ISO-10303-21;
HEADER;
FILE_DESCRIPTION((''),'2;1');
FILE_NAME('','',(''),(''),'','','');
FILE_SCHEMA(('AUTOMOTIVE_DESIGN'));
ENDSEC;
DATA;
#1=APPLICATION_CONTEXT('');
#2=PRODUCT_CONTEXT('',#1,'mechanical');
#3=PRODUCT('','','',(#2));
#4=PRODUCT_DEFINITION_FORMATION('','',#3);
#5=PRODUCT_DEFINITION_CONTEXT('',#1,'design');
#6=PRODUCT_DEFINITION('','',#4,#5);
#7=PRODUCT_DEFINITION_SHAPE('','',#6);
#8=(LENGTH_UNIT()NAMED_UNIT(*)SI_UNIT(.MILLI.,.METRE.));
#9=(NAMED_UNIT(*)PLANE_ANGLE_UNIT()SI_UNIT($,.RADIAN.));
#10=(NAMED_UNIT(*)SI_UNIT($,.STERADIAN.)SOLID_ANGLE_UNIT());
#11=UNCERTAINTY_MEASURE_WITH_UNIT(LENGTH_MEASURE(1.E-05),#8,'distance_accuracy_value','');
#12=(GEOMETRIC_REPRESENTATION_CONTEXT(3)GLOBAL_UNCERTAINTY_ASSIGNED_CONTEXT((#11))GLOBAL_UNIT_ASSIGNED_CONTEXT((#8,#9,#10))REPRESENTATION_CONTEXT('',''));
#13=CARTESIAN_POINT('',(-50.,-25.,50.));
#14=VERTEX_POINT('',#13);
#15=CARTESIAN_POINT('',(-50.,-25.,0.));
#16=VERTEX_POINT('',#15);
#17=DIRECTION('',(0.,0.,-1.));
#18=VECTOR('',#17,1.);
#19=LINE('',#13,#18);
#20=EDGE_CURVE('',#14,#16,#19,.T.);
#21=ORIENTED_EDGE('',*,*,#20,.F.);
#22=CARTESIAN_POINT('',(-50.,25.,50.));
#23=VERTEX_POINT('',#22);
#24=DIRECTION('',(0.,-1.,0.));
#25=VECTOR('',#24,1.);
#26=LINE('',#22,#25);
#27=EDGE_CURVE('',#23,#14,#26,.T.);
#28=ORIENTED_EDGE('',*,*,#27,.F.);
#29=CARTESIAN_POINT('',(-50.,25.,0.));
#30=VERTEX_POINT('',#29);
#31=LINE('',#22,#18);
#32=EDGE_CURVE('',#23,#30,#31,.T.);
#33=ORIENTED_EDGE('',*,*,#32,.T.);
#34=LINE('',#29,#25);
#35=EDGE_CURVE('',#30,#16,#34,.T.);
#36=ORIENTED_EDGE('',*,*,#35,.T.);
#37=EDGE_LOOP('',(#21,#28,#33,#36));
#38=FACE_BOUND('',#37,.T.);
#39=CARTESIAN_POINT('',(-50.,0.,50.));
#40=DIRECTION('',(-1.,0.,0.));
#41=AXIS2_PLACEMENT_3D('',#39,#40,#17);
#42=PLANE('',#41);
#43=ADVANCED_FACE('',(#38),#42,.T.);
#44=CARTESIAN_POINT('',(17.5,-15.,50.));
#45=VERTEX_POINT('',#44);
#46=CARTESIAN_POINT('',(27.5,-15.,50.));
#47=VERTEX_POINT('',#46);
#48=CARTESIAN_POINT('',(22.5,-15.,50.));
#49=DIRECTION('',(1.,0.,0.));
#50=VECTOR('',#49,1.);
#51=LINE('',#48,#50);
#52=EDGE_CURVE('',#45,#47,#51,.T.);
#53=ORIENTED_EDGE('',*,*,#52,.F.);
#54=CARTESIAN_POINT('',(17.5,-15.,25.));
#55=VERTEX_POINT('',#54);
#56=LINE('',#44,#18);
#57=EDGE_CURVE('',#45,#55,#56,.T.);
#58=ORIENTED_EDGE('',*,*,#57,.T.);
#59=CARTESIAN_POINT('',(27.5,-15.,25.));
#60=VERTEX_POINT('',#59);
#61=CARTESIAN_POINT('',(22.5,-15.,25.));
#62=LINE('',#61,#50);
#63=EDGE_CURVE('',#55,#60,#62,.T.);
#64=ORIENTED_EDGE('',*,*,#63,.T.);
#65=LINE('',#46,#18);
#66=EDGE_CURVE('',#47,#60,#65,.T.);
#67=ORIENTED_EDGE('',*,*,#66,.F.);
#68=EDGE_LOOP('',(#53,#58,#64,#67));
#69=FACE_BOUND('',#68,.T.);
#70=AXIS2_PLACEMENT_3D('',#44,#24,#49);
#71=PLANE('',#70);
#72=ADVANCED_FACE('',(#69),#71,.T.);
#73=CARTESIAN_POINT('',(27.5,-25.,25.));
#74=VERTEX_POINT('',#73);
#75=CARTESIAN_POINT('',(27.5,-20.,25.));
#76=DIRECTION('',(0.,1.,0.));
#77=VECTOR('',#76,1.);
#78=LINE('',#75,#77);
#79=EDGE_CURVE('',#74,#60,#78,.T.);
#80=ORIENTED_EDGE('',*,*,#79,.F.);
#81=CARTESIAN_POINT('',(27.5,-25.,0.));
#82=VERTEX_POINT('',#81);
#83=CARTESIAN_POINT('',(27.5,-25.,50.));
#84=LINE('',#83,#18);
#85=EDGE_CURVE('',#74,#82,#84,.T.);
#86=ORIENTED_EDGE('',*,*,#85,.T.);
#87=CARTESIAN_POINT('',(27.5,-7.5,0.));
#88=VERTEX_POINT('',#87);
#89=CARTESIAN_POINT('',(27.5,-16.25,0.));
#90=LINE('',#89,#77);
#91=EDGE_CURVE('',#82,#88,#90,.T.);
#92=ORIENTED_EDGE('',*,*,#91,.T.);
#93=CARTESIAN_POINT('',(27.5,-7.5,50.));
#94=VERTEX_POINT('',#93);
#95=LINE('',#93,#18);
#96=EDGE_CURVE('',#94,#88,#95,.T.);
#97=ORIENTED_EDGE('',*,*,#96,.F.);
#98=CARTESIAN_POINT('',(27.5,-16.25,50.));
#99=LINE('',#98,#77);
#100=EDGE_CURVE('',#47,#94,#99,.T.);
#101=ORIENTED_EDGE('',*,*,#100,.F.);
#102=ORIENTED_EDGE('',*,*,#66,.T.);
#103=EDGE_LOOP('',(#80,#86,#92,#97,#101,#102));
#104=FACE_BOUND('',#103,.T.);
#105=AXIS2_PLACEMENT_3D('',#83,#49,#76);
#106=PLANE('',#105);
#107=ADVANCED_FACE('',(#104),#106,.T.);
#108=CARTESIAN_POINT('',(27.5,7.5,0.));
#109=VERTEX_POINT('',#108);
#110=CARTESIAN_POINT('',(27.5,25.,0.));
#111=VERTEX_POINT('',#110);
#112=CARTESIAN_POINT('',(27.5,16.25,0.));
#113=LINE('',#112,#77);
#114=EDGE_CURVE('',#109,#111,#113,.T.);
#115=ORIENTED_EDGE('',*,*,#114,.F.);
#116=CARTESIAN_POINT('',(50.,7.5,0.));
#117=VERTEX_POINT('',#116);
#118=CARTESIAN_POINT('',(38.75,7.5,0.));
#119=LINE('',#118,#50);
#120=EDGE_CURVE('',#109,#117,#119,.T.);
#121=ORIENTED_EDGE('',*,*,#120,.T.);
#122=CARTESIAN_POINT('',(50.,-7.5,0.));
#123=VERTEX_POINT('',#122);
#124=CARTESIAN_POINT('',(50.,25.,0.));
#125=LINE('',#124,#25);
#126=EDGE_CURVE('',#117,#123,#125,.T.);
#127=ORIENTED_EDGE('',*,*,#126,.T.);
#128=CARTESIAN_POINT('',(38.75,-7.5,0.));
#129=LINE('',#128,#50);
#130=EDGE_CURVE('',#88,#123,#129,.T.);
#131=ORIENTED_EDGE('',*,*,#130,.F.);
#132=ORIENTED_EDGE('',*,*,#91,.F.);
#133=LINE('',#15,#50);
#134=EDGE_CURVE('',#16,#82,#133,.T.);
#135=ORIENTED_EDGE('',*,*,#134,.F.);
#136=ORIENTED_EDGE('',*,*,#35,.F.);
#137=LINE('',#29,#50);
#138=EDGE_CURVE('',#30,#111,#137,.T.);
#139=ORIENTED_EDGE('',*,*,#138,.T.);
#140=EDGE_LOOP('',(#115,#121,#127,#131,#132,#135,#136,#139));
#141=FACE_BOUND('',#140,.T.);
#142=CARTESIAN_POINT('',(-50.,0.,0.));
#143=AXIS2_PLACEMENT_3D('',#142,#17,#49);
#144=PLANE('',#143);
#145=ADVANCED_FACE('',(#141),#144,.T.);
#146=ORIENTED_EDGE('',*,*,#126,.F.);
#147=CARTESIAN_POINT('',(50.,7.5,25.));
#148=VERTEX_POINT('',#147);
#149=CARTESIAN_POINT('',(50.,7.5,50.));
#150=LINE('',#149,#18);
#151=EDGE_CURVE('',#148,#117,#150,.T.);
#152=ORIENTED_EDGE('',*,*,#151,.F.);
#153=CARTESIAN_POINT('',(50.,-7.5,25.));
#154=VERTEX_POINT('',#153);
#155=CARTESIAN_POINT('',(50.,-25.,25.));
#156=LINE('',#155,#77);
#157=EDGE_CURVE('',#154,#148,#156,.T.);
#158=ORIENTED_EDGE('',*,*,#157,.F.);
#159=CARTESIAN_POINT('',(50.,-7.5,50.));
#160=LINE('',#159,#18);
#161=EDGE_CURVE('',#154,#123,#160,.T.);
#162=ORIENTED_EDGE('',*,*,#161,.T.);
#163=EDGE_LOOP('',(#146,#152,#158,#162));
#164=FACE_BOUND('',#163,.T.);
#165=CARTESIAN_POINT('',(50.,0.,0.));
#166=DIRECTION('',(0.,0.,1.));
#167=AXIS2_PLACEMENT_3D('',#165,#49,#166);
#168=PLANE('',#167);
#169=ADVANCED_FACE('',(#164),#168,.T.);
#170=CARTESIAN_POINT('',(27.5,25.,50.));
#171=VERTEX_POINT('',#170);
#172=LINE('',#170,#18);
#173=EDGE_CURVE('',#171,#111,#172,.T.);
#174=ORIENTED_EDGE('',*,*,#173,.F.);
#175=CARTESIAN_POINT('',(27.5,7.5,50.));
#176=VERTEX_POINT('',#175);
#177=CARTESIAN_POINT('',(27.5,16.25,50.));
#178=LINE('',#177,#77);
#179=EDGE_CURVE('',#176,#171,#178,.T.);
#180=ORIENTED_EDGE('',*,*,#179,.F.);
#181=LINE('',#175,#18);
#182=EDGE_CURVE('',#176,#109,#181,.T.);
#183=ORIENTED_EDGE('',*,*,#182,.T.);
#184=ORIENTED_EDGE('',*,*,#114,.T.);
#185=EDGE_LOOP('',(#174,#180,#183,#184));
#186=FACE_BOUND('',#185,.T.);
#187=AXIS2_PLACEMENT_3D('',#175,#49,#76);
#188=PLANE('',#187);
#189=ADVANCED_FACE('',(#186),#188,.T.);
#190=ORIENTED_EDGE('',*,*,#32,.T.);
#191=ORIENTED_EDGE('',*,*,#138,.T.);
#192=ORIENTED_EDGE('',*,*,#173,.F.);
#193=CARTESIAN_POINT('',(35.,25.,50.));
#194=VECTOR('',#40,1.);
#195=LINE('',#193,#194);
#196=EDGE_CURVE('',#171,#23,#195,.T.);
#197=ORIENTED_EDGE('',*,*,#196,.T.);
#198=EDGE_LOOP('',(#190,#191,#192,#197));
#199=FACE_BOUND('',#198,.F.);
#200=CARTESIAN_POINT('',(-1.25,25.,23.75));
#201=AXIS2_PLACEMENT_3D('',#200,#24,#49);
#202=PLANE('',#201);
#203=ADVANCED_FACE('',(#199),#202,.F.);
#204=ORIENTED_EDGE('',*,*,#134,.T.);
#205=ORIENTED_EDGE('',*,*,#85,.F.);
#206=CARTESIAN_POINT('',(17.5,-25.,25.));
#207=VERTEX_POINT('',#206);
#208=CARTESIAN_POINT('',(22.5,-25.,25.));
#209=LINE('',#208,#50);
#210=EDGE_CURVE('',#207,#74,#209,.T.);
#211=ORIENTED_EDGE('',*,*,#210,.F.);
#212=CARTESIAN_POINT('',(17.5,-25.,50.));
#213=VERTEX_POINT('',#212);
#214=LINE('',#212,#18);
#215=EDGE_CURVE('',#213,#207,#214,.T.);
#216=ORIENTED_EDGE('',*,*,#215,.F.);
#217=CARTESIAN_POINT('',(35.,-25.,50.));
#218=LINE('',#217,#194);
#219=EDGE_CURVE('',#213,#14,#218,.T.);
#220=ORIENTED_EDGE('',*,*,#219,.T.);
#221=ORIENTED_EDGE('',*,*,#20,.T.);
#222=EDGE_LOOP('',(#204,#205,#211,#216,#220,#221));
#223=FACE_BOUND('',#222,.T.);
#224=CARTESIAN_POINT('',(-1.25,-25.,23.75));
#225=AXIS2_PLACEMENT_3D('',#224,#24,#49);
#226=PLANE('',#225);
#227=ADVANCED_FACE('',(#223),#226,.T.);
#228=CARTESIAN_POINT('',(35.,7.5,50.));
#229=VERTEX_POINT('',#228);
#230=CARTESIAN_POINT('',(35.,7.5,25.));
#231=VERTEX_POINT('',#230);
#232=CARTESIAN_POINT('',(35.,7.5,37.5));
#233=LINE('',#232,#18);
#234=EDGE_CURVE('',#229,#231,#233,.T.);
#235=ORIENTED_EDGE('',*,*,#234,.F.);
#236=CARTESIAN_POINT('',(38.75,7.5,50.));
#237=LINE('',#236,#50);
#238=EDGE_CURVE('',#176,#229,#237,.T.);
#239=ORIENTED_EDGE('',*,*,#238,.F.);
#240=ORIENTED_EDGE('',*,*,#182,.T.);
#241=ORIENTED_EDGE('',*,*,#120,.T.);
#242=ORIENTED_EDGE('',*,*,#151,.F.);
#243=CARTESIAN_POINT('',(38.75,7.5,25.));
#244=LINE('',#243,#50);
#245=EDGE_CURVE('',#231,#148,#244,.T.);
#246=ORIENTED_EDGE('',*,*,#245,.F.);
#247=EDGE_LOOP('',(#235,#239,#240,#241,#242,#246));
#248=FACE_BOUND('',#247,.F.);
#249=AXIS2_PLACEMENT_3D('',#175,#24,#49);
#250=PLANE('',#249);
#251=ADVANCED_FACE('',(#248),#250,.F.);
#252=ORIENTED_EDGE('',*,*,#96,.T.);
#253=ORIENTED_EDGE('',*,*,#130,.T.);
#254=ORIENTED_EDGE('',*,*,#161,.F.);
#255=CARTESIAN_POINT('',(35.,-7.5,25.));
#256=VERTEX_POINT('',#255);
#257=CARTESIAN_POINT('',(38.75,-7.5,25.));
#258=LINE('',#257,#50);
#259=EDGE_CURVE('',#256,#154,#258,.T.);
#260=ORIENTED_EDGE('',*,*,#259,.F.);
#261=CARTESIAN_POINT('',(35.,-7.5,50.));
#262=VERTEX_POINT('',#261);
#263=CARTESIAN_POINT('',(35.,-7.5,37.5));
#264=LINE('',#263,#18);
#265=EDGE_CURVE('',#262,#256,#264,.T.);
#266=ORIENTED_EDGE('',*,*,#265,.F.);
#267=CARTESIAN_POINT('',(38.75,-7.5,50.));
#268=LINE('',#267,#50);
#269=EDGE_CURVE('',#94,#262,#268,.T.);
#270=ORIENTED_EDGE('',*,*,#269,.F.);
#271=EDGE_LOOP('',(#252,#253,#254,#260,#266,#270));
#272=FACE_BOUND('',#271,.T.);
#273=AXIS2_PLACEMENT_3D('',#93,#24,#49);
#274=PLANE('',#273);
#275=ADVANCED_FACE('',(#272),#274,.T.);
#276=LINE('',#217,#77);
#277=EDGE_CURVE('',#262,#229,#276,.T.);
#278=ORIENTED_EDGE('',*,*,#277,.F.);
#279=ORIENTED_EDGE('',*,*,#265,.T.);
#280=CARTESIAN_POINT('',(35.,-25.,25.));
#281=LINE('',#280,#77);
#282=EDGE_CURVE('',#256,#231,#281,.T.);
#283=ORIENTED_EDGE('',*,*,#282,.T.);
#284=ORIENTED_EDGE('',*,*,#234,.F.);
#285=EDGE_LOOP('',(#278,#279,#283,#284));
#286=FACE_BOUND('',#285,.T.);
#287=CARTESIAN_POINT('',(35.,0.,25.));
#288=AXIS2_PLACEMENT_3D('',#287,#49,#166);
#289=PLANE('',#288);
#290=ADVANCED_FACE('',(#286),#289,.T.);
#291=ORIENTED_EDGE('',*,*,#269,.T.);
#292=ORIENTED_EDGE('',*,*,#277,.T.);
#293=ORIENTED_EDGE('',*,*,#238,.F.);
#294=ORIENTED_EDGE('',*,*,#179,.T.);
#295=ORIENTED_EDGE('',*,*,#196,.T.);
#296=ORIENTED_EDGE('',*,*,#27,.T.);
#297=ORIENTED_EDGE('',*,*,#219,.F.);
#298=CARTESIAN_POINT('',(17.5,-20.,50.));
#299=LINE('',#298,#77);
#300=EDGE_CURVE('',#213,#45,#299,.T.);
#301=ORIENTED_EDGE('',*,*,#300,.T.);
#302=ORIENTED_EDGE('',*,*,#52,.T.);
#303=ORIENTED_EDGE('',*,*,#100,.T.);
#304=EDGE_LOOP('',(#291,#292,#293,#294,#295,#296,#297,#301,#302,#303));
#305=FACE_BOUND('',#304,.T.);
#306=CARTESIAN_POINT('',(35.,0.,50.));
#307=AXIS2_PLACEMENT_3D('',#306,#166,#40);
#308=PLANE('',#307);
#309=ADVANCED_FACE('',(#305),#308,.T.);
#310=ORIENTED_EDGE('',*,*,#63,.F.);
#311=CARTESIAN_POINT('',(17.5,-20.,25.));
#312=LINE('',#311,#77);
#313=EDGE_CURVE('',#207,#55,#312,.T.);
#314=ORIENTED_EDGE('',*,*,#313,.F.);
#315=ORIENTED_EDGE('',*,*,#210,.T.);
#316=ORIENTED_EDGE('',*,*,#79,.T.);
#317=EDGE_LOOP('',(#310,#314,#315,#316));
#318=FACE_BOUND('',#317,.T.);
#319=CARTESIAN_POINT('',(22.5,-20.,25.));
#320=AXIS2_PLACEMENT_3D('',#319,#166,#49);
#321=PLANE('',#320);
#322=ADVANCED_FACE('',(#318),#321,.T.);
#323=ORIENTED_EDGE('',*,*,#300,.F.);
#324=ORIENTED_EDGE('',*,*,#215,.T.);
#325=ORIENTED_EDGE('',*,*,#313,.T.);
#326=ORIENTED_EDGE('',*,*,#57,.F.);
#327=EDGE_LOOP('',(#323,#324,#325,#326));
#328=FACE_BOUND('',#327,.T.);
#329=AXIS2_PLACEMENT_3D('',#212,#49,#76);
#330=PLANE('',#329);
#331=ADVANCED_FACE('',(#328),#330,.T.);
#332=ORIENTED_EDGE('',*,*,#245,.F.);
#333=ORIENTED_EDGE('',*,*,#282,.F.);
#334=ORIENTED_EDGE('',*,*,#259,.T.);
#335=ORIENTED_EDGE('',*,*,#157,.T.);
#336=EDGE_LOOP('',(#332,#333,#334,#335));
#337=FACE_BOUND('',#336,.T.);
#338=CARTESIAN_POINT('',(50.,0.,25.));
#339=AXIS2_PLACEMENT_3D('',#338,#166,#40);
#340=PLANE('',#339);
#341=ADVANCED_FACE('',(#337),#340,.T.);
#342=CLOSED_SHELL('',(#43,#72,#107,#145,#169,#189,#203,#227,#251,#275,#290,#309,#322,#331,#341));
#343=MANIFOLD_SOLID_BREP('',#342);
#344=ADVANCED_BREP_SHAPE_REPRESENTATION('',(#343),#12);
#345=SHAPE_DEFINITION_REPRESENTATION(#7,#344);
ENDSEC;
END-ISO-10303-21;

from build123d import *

# Parameters (mm, degrees)
F1_DEPTH = 25
F2_W     = 22.5
F2_H     = 17.5
F3_DEPTH = 50
F4_W     = 10
F4_H     = 10
F5_DEPTH = 25


with BuildPart() as f1:
    # F0 (on Front) → F1 (new body, symmetric)
    with BuildSketch(Plane.XZ):
        Polygon((35, 50), (-50, 50), (-50, 0), (50, 0), (50, 25), (35, 25), align=None)
    extrude(amount=F1_DEPTH, both=True)

    # F2 (on face) → F3 (cut, through all)
    with BuildSketch(Plane.XY.offset(50)):
        with Locations((38.75, 16.25)):
            Rectangle(F2_W, F2_H)
        with Locations((38.75, -16.25)):
            Rectangle(F2_W, F2_H)
    extrude(amount=-F3_DEPTH, mode=Mode.SUBTRACT)

    # F4 (on face) → F5 (cut)
    with BuildSketch(Plane.XY.offset(50)):
        with Locations((22.5, -20)):
            Rectangle(F4_W, F4_H)
    extrude(amount=-F5_DEPTH, mode=Mode.SUBTRACT)


solid = f1.part
